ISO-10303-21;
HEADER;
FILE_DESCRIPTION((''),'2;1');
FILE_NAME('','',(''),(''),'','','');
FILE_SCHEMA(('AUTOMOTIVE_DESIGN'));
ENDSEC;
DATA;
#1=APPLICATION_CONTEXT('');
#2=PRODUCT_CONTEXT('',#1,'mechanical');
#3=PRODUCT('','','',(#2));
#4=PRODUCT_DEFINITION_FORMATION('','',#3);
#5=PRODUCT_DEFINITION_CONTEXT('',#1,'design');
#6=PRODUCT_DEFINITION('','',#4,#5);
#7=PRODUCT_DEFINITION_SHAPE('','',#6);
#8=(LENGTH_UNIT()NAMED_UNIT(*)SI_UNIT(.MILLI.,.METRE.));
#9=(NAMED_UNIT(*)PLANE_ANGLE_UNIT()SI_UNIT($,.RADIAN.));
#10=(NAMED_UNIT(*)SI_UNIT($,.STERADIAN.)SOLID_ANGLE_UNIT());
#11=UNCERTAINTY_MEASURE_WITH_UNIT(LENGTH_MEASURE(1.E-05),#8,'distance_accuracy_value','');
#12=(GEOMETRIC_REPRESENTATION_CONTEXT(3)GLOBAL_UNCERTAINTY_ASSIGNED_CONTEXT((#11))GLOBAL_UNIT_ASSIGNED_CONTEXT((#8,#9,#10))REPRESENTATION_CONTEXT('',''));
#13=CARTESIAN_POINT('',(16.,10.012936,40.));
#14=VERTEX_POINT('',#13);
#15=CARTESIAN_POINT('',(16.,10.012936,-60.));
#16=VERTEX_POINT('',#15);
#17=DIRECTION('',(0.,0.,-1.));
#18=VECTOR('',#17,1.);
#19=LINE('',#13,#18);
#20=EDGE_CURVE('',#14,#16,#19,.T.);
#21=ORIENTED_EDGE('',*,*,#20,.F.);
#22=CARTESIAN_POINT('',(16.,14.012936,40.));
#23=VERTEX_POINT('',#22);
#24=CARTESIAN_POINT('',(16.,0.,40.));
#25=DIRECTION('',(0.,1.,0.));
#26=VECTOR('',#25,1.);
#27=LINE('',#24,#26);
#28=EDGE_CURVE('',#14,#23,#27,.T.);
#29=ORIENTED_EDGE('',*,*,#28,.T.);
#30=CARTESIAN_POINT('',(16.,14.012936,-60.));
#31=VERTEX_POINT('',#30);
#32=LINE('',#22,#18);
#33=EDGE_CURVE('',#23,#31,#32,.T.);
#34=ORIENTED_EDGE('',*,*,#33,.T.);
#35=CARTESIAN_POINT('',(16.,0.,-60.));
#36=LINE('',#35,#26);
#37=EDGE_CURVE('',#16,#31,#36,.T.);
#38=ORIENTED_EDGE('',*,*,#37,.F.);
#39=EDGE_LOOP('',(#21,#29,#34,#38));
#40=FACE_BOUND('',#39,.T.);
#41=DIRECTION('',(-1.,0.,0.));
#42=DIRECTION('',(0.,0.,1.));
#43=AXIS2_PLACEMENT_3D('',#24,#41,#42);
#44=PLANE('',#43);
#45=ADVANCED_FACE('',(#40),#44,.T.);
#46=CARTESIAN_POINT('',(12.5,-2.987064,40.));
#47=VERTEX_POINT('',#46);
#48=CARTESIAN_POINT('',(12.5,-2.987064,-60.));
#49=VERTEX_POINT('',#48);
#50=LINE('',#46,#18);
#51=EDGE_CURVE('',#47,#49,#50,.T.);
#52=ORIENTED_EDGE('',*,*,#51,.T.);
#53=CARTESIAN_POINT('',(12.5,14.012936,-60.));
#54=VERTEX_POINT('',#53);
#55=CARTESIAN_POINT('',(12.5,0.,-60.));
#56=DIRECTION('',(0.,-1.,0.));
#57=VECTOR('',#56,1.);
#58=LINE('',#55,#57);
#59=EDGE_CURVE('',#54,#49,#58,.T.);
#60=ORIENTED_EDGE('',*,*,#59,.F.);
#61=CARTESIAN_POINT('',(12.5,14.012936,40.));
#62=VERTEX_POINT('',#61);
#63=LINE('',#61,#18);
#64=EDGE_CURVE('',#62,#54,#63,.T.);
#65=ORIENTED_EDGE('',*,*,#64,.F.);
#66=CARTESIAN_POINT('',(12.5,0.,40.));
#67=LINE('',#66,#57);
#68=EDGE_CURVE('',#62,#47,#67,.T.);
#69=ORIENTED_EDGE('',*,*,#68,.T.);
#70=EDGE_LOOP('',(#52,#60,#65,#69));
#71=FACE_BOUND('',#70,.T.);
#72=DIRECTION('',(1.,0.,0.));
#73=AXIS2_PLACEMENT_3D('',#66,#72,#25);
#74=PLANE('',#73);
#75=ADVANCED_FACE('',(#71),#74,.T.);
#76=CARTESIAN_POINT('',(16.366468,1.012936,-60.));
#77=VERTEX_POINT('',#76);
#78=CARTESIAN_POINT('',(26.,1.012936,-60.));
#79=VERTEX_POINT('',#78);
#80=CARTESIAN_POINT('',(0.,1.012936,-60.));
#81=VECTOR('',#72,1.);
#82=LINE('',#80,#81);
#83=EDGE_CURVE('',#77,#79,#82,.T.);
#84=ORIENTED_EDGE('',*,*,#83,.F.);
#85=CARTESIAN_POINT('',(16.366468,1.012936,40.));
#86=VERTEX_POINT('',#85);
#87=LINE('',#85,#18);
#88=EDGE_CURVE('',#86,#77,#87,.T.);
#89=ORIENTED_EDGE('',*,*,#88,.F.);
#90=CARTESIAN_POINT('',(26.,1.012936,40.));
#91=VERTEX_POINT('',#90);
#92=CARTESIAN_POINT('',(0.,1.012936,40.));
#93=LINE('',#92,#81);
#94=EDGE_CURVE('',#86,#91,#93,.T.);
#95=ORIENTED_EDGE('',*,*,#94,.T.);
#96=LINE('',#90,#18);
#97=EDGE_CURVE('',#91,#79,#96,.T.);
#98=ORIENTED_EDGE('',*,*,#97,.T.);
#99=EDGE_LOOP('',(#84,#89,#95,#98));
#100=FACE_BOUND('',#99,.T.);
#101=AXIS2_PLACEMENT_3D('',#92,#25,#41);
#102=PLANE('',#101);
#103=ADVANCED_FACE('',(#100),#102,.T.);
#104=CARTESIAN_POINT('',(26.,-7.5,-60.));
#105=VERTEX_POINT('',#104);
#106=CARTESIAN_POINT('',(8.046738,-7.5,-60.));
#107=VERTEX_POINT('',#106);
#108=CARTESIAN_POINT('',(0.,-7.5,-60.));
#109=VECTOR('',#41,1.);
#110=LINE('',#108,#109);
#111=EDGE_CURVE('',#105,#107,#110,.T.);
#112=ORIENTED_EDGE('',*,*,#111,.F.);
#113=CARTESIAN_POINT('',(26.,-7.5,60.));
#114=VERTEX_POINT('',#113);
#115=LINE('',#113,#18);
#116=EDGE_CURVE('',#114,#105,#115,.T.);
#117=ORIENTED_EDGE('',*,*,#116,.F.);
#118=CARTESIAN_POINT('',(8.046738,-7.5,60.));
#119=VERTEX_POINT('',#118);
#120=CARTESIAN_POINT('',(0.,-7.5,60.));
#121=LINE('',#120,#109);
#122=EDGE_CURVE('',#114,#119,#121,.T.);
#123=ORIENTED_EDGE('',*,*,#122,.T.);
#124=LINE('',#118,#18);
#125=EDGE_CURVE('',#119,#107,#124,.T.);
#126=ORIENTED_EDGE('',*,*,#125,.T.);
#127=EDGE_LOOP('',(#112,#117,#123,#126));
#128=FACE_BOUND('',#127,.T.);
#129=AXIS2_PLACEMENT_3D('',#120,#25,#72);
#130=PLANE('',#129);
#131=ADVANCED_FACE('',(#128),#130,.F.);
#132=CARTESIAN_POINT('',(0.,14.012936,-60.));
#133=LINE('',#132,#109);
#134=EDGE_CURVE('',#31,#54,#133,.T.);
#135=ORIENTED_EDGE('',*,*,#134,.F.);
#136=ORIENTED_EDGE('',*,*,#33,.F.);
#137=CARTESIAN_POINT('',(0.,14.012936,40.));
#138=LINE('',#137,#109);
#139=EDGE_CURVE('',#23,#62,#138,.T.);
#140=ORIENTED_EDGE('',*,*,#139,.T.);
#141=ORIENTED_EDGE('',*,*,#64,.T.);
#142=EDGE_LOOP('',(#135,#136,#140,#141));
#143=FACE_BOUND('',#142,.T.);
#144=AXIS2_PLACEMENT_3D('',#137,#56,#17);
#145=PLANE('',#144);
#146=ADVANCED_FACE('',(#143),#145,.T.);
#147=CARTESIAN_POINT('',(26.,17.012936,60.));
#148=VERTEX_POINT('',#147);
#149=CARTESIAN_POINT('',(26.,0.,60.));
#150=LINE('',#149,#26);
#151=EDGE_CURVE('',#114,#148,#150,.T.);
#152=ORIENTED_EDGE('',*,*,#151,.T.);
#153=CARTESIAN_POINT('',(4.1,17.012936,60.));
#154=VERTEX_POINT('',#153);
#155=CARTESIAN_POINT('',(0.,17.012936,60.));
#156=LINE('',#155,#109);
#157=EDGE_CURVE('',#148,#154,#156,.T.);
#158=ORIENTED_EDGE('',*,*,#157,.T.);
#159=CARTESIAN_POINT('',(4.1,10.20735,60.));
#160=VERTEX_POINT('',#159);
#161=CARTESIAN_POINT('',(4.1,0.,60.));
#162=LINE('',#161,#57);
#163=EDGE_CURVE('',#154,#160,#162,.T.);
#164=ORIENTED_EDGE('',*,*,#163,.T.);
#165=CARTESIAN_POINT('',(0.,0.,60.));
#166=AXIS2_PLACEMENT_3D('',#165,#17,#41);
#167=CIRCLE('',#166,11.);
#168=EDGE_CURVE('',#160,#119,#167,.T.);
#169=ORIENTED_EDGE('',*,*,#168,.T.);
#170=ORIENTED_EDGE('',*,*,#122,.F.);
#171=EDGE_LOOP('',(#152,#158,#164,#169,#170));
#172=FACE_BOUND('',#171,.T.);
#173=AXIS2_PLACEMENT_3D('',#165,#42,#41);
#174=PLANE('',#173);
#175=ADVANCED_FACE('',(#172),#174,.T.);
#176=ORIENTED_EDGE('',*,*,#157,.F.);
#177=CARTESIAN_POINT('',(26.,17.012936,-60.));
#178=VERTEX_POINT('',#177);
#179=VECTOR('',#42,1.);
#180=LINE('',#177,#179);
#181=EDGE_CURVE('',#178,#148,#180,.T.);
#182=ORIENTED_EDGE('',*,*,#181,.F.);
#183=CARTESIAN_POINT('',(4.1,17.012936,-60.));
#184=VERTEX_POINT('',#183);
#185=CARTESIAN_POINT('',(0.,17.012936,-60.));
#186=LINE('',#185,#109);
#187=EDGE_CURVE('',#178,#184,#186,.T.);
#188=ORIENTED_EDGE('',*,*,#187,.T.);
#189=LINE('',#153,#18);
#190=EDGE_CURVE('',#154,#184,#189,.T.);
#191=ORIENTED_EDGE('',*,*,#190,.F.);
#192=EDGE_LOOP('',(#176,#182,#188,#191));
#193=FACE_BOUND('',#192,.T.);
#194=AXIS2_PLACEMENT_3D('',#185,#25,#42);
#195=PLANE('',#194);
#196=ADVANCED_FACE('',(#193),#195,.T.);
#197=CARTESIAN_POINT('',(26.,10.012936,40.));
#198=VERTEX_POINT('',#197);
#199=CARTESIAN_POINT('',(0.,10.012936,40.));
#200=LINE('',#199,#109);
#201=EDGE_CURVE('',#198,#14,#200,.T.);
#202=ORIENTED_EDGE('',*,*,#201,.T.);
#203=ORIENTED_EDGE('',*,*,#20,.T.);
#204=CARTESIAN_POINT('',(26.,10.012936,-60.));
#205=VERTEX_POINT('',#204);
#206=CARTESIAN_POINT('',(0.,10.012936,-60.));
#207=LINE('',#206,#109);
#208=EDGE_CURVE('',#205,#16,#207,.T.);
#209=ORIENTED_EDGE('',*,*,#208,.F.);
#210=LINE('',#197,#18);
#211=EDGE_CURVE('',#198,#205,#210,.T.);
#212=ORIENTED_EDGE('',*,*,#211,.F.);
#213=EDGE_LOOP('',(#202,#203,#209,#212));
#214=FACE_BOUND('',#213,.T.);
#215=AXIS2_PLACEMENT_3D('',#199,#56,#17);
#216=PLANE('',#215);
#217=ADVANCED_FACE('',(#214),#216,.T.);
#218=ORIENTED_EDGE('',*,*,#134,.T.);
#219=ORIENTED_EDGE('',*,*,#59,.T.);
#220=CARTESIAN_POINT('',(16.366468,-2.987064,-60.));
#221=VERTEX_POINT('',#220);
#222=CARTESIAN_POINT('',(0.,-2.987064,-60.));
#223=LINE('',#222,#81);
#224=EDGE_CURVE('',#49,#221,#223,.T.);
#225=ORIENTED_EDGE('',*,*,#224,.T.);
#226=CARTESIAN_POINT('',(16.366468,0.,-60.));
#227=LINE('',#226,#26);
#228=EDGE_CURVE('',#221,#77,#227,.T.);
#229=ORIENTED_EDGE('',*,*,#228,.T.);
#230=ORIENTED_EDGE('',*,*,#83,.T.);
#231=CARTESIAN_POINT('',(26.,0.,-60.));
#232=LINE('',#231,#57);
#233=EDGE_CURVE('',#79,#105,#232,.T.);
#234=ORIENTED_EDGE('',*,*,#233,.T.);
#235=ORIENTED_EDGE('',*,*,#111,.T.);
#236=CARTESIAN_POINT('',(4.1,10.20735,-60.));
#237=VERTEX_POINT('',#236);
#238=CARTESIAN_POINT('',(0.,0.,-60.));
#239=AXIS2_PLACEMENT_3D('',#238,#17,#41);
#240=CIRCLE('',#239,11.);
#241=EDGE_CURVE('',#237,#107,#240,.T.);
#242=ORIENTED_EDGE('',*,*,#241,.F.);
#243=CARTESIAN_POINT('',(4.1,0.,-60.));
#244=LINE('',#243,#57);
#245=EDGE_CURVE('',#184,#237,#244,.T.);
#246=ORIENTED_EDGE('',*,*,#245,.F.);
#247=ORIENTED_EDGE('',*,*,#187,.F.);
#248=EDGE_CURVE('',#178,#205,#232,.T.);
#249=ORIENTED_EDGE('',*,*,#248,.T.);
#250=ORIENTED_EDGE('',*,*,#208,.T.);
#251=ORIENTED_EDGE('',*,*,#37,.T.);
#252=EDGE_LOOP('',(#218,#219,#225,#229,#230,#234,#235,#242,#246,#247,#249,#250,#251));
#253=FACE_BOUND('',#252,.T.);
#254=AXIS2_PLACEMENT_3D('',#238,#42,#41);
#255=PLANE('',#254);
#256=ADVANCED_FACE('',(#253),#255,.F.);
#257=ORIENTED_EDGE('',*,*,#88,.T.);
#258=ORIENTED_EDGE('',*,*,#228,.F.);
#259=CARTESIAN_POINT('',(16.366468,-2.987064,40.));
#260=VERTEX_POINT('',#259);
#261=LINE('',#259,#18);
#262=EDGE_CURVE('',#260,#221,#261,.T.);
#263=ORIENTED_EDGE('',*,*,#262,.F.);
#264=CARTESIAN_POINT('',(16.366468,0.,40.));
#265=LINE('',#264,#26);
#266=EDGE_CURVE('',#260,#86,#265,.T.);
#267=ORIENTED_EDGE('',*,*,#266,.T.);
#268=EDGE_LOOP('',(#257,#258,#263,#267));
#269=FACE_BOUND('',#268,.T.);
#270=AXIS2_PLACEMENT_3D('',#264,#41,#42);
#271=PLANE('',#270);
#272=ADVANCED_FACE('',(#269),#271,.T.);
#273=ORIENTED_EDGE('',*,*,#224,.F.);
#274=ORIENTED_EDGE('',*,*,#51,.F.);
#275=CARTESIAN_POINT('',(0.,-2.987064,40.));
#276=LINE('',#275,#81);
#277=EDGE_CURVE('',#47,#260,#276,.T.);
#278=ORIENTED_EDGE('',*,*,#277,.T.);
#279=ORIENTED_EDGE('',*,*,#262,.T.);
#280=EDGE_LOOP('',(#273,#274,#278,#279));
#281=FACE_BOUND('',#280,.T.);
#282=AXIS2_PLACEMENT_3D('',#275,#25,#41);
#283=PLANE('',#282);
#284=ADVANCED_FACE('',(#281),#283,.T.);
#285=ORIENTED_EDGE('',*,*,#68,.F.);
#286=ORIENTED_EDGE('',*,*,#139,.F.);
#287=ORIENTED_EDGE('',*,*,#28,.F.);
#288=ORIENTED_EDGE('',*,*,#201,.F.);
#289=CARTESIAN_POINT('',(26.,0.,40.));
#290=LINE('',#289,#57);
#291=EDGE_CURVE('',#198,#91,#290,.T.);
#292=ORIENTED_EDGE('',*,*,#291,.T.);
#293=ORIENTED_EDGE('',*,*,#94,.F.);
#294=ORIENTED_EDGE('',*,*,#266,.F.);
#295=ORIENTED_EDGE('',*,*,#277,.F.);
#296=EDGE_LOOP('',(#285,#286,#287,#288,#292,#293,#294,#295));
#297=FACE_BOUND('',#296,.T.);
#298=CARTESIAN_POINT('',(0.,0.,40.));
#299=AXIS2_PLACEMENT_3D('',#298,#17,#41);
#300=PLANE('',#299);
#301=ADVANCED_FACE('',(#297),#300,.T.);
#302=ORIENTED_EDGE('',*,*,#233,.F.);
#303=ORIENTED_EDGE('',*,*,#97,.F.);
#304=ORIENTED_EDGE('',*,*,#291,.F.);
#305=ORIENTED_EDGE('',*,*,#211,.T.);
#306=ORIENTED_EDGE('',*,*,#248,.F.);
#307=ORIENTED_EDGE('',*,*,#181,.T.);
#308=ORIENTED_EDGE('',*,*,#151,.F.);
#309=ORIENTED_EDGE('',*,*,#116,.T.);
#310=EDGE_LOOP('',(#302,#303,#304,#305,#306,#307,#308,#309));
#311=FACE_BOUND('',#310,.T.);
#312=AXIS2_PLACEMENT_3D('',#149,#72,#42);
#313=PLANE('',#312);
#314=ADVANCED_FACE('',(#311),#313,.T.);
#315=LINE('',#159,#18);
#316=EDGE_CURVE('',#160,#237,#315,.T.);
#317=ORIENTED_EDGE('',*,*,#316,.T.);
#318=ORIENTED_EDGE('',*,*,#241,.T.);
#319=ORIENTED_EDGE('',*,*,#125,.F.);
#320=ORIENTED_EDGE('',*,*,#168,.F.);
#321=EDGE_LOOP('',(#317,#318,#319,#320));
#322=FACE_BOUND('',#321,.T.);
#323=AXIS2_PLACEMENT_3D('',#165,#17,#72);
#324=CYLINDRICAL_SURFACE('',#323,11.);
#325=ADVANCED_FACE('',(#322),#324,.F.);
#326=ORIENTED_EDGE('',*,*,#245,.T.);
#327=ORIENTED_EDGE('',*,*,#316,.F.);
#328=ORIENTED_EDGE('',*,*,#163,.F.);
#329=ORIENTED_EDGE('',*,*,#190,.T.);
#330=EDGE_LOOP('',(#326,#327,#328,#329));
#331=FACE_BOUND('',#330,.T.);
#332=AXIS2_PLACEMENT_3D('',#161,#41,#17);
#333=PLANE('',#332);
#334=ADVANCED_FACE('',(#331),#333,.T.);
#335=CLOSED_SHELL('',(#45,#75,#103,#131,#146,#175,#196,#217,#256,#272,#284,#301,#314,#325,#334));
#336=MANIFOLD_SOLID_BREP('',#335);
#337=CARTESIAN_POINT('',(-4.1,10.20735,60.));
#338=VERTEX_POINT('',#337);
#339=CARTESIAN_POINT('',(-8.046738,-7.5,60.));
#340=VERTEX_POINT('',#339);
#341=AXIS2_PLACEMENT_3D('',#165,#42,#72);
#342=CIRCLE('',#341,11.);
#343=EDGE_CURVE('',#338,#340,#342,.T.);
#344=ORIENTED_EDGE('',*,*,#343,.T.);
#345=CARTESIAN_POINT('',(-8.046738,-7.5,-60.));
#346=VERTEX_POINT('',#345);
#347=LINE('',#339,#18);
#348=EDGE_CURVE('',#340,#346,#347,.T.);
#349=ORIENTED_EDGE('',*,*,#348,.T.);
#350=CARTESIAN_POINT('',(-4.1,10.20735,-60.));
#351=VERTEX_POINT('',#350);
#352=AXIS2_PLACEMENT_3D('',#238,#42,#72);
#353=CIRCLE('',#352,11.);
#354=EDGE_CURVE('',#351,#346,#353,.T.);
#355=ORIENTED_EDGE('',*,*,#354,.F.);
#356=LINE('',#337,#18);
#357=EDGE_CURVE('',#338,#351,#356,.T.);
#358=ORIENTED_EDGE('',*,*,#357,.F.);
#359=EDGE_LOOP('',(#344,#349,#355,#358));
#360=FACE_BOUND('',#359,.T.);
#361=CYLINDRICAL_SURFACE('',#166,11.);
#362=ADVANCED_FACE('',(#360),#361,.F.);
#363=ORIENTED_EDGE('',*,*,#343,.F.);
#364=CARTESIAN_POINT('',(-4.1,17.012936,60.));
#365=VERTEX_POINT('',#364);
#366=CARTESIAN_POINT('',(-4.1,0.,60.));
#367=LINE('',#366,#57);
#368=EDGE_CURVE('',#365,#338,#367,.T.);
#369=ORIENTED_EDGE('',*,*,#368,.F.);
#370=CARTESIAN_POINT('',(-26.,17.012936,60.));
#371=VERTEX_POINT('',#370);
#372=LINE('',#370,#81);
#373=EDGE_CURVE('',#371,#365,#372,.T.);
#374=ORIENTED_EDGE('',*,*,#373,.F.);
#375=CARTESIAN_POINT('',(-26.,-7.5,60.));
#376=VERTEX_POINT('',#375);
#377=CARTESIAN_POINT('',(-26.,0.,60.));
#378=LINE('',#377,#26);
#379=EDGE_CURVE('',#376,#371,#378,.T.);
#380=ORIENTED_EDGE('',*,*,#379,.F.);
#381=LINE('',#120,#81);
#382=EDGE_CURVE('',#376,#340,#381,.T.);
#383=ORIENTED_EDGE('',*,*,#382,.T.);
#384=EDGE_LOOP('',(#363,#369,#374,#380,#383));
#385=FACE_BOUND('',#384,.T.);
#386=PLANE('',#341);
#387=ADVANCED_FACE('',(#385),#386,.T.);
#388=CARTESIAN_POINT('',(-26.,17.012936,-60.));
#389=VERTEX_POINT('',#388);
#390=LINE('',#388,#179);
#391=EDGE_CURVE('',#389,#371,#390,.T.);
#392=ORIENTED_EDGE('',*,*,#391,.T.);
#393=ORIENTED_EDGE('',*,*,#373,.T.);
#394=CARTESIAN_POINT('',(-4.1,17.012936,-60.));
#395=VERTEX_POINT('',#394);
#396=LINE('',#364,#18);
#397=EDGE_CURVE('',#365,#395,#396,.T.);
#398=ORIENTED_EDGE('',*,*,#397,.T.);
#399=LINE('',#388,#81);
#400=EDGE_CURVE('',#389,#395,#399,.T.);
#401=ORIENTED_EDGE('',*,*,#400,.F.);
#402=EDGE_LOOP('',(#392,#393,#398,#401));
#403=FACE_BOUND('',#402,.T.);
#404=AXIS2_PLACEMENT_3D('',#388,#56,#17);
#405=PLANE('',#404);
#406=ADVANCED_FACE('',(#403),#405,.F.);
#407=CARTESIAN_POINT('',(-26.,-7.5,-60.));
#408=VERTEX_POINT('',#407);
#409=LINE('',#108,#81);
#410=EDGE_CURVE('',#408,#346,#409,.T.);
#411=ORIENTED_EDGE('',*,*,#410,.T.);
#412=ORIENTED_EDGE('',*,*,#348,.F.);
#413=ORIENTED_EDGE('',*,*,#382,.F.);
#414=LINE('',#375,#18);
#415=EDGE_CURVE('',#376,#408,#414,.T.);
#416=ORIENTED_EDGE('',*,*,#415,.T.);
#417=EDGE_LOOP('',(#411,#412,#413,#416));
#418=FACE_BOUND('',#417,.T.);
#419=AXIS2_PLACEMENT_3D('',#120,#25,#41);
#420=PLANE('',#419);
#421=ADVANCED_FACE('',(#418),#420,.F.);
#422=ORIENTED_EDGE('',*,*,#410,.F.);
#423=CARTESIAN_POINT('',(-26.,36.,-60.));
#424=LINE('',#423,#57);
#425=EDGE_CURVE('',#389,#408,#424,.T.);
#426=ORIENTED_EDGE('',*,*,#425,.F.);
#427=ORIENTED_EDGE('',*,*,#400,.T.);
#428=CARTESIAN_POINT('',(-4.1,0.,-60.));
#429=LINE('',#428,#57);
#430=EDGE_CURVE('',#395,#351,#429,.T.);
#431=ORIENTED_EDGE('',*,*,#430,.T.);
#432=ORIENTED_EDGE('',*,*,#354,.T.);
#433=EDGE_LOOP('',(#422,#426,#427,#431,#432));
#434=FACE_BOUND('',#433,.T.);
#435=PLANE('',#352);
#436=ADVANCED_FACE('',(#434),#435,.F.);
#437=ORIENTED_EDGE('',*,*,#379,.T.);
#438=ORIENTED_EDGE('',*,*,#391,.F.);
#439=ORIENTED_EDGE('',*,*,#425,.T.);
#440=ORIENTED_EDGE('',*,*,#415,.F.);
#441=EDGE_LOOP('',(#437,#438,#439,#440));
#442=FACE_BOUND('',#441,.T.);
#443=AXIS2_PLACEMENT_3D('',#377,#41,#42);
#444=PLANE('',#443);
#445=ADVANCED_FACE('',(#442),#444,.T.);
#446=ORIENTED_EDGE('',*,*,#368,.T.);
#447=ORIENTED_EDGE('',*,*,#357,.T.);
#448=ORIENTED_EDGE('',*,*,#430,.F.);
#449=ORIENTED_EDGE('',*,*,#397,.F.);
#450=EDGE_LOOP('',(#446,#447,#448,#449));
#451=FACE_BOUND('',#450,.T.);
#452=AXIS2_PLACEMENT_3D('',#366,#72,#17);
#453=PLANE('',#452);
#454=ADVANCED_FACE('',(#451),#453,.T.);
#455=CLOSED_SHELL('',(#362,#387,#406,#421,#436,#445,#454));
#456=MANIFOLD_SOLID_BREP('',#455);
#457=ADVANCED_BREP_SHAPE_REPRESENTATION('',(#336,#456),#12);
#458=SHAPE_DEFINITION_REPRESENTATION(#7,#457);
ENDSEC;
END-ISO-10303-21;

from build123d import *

# Parameters (mm, degrees)
EXTRUDE_1_DEPTH          = 60
EXTRUDE_2_DEPTH          = 11
EXTRUDE_2_DEPTH_BACK     = 7.5
CUT_EXTRUDE_1_DEPTH      = 77.58616063
CUT_EXTRUDE_1_DEPTH_BACK = 77.58616063
CUT_EXTRUDE_2_DEPTH      = 36
CUT_EXTRUDE_2_DEPTH_BACK = 32
SKETCH_4_W               = 53.786075844
SKETCH_4_H               = 12.400008298
EXTRUDE_3_DEPTH          = 120
CUT_EXTRUDE_3_DEPTH      = 100


with BuildPart() as part:
    # 스케치1 → 보스-돌출1 (new, symmetric)
    with BuildSketch(Plane.XY):
        with BuildLine():
            Line((-26, -7.5), (-15.811388301, -7.5))
            ThreePointArc((-15.811388301, -7.5), (-16.835996569, 4.774852829), (-9.519745153, 14.684156503))
            Line((-9.519745153, 14.684156503), (-26, 4))
            Line((-26, 4), (-26, -7.5))
        make_face()
        with BuildLine():
            ThreePointArc((-9.519745153, 14.684156503), (-16.835996569, 4.774852829), (-15.811388301, -7.5))
            Line((-15.811388301, -7.5), (-8.04673847, -7.5))
            ThreePointArc((-8.04673847, -7.5), (-10.736544018, 2.393036259), (-4.1, 10.207350293))
            Line((-4.1, 10.207350293), (-4.1, 17.012936255))
            ThreePointArc((-4.1, 17.012936255), (-6.90870236, 16.078551916), (-9.519745153, 14.684156503))
        make_face()
    extrude(amount=EXTRUDE_1_DEPTH, both=True)

    # 스케치2 → 보스-돌출2 (add, two sides: drawn at the far end of the back side and taken through both)
    with BuildSketch(Plane(origin=(0, 0, 0), x_dir=(1, 0, 0), z_dir=(0, 1, 0)).offset(-EXTRUDE_2_DEPTH_BACK)):
        Polygon((-26, 60), (-26, 70), (-16, 60), align=None)
    extrude(amount=EXTRUDE_2_DEPTH + EXTRUDE_2_DEPTH_BACK)

    # 스케치3 → 컷-돌출1 (cut, two sides: drawn at the far end of the back side and taken through both)
    with BuildSketch(Plane.XY.offset(-CUT_EXTRUDE_1_DEPTH_BACK)):
        Polygon((-26, 4), (-15.202537057, 11), (-26, 11), align=None)
    extrude(amount=CUT_EXTRUDE_1_DEPTH + CUT_EXTRUDE_1_DEPTH_BACK, mode=Mode.SUBTRACT)


with BuildPart() as body_2:
    # 대칭 복사5: mirrored copy
    add(part.part.mirror(Plane(origin=(0, 0, 0), x_dir=(0, 0, 1), z_dir=(1, 0, 0))))


with BuildPart() as cut_extrude_2_tool:
    # 스케치4 → 컷-돌출2 (new, two sides: drawn at the far end of the back side and taken through both)
    with BuildSketch(Plane(origin=(0, 0, 0), x_dir=(1, 0, 0), z_dir=(0, 1, 0)).offset(-CUT_EXTRUDE_2_DEPTH_BACK)):
        with Locations((0.893037922, 66.200004149)):
            Rectangle(SKETCH_4_W, SKETCH_4_H)
    extrude(amount=CUT_EXTRUDE_2_DEPTH + CUT_EXTRUDE_2_DEPTH_BACK)


with BuildPart() as part_1:
    add(part.part)

    # 컷-돌출2: cut by cut_extrude_2_tool
    add(cut_extrude_2_tool.part, mode=Mode.SUBTRACT)



with BuildPart() as body_2_1:
    add(body_2.part)

    # 컷-돌출2: cut by cut_extrude_2_tool
    add(cut_extrude_2_tool.part, mode=Mode.SUBTRACT)


with BuildPart() as part_2:
    add(part_1.part)

    add(body_2_1.part)  # 보스-돌출3 merges body 2
    # 스케치5 → 보스-돌출3 (add)
    with BuildSketch(Plane.XY.offset(60)):
        Polygon((4.1, 17.012936255), (6.90870236, 16.078551916), (26, 4), (26, 17.012936255), align=None)
        Polygon((-26, 17.012936255), (-4.1, 17.012936255), (-6.90870236, 16.078551916), (-26, 4), align=None)
    extrude(amount=-EXTRUDE_3_DEPTH)

    # 스케치9 → 컷-돌출3 (cut)
    with BuildSketch(Plane(origin=(0, 0, -60), x_dir=(-1, 0, 0), z_dir=(0, 0, -1))):
        Polygon((-16, 10.012936255), (-26, 10.012936255), (-26, 1.012936255), (-16.366468409, 1.012936255), (-16.366468409, -2.987063745), (-12.5, -2.987063745), (-12.5, 14.012936255), (-16, 14.012936255), align=None)
    extrude(amount=-CUT_EXTRUDE_3_DEPTH, mode=Mode.SUBTRACT)


solid = part_2.part
